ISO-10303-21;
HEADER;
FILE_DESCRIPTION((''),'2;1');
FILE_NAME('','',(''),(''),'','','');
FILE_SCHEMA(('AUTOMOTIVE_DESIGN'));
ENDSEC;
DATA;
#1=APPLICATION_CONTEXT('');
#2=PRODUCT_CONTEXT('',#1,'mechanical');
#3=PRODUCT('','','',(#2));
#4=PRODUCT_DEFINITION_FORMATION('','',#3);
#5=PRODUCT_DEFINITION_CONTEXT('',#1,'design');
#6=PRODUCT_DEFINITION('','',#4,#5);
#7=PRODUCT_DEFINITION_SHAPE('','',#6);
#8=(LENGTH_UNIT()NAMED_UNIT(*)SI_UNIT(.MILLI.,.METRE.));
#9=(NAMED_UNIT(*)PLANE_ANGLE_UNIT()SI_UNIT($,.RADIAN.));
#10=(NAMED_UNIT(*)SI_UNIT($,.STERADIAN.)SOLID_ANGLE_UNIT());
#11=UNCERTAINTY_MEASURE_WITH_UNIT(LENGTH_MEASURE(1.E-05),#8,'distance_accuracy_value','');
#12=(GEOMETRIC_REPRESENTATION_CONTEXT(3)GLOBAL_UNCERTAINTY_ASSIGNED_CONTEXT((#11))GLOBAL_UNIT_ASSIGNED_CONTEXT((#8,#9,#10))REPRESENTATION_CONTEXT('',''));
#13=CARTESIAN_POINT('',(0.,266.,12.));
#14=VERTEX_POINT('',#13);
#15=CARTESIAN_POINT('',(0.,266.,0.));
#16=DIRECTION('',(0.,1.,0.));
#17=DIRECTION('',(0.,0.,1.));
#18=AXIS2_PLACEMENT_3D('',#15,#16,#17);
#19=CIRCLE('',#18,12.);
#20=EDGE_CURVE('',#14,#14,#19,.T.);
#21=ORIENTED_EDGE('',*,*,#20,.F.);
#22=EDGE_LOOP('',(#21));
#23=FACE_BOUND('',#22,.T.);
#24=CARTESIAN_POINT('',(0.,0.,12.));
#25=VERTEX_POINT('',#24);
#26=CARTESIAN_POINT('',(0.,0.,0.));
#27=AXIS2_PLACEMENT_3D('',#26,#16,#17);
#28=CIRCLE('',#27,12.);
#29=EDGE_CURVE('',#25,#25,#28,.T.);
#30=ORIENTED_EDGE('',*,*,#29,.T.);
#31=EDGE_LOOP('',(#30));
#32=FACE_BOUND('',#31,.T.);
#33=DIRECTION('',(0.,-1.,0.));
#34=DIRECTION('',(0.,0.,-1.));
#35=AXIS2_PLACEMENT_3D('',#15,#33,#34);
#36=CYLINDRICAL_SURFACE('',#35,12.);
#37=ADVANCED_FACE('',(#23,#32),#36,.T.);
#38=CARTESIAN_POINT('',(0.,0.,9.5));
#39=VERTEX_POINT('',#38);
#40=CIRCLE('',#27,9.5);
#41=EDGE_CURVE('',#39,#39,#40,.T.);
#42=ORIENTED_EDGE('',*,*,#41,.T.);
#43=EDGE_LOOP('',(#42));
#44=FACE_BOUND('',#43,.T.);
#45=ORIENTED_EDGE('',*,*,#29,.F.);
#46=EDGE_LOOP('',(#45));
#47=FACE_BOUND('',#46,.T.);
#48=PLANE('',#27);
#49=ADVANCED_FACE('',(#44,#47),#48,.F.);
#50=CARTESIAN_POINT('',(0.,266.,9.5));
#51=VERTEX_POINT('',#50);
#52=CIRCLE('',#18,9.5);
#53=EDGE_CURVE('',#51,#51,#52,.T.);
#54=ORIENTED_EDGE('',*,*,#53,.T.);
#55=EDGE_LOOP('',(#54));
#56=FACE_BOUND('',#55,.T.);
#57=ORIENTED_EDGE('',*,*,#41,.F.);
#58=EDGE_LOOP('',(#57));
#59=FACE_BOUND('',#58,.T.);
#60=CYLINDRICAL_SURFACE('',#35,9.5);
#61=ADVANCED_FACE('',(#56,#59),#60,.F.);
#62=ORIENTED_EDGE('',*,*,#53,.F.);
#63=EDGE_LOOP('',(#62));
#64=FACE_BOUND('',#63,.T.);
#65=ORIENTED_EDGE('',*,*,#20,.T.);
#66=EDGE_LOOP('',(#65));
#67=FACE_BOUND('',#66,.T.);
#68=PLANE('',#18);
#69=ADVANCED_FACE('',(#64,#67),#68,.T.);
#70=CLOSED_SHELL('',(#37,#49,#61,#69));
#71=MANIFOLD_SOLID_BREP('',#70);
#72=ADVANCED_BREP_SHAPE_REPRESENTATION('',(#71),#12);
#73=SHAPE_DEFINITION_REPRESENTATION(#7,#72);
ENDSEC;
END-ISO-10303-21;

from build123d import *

# Parameters (mm, degrees)
IZIM1_R                     = 12
IZIM1_R_2                   = 9.5
Y_KSEKLIK_EKSTR_ZYON1_DEPTH = 266


with BuildPart() as part:
    # Çizim1 → Yükseklik-Ekstrüzyon1 (new body)
    with BuildSketch(Plane(origin=(0, 0, 0), x_dir=(1, 0, 0), z_dir=(0, 1, 0))):
        with Locations(Location((0, 0, 0), (0, 0, 270))):
            Circle(IZIM1_R)
        with Locations(Location((0, 0, 0), (0, 0, 270))):
            Circle(IZIM1_R_2, mode=Mode.SUBTRACT)
    extrude(amount=Y_KSEKLIK_EKSTR_ZYON1_DEPTH)


solid = part.part
